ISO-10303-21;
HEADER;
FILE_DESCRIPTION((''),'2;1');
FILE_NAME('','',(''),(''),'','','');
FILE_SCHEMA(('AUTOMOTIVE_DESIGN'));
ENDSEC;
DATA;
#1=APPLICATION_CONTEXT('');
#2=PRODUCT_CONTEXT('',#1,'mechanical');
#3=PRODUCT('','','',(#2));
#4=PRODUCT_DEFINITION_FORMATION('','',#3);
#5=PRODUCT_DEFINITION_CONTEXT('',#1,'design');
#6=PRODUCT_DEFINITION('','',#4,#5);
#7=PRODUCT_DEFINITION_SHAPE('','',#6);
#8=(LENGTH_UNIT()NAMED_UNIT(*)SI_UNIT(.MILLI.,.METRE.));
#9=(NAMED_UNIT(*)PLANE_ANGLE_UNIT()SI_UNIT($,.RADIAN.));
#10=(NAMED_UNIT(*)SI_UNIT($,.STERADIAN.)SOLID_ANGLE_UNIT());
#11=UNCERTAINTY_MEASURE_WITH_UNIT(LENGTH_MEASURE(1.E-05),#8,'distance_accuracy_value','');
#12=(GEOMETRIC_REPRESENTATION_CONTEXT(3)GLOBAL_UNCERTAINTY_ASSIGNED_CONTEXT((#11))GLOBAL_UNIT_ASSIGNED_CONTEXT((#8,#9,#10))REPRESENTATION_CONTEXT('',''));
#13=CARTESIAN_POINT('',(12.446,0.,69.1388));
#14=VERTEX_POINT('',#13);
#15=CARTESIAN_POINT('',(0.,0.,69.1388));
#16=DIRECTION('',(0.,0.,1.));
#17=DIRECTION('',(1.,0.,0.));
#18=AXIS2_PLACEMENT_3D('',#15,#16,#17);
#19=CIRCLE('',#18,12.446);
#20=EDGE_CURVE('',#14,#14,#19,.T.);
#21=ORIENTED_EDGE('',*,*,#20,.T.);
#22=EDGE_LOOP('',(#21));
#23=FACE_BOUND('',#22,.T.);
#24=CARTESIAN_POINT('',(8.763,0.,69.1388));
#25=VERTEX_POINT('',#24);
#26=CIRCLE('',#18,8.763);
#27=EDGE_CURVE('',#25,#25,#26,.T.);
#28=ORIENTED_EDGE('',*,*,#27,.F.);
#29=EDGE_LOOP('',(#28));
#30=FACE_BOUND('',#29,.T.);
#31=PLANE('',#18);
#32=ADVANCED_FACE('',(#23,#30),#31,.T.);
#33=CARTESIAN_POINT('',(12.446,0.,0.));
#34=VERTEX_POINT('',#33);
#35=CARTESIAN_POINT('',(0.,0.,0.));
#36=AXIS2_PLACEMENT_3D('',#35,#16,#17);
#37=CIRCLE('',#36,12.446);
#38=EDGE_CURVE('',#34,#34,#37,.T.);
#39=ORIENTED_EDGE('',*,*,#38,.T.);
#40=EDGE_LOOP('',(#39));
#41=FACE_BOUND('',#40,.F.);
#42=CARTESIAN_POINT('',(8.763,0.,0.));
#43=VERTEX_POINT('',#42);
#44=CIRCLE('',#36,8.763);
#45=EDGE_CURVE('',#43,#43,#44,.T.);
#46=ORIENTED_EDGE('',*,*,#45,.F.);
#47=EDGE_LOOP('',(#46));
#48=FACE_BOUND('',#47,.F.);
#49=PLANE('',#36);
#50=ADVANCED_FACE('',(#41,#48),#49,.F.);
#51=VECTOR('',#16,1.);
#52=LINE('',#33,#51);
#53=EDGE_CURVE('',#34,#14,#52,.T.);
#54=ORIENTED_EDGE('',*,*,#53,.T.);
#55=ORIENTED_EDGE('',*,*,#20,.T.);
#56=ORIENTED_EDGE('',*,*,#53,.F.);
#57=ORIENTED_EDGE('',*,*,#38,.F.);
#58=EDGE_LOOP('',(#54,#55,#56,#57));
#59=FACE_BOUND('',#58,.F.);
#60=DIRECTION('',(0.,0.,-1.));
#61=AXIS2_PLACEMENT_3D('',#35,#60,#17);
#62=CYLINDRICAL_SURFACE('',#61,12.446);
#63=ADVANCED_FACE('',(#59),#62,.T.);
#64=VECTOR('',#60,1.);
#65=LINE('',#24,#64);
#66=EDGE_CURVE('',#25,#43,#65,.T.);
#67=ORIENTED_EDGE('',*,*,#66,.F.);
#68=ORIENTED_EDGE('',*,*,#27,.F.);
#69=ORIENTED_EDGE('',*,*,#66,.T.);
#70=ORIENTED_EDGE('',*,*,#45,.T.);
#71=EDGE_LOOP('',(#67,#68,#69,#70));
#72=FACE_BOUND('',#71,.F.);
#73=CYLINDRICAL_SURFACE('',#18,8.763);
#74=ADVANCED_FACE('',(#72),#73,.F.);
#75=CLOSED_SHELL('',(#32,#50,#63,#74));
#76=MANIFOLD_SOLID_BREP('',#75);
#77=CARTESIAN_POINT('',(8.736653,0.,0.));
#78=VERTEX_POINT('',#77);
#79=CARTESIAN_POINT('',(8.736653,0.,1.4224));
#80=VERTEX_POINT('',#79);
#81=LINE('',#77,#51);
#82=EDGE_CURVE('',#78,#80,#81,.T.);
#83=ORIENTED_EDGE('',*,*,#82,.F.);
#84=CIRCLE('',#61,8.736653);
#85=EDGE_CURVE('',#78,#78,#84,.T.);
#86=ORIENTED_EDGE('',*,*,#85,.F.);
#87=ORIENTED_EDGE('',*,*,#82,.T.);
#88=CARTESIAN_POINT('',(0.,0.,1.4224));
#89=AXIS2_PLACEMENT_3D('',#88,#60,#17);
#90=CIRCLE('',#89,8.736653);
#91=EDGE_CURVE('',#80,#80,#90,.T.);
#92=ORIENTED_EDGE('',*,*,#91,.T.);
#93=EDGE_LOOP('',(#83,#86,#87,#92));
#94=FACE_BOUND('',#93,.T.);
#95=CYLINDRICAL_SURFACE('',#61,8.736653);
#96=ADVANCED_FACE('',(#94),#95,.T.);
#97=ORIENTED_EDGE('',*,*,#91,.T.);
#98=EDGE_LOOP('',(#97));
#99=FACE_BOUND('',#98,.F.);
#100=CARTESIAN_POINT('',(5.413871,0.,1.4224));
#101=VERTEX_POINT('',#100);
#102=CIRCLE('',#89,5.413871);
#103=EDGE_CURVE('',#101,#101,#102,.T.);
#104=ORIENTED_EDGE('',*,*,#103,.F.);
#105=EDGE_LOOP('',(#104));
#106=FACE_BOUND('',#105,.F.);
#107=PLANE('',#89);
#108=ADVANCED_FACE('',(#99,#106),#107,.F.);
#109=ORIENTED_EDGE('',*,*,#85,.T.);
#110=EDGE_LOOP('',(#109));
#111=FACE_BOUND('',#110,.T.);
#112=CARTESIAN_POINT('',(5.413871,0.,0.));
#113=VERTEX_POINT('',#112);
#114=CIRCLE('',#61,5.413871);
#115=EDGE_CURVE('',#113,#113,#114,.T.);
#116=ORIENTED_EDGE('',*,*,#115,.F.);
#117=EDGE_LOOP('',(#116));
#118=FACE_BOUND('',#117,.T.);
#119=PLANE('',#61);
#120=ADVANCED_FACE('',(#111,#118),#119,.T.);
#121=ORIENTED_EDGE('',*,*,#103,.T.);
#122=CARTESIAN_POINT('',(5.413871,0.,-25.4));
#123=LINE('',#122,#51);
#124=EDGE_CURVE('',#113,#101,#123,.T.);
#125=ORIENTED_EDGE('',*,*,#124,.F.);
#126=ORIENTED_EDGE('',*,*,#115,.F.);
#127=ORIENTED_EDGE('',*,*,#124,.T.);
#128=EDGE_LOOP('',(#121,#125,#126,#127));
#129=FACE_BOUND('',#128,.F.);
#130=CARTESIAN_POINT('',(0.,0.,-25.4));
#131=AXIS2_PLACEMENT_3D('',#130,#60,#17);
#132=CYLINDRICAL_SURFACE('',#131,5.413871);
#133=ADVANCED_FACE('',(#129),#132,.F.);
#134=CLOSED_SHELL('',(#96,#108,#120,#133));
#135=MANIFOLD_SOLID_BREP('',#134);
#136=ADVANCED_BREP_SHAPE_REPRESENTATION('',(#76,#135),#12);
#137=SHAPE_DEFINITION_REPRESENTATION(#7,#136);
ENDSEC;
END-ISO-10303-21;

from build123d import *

# Parameters (mm, degrees)
F0_R      = 12.446
F1_DEPTH  = 69.1388
F3_R      = 8.763
F4_DEPTH  = 69.1398
F5_R      = 8.736653
F6_DEPTH  = 1.4224
F7_R      = 5.413871
F8_DEPTH  = 25.4
F8_FACE_R = 5.413871
F9_DEPTH  = 94.5398


with BuildPart() as f1:
    # F0 (on Top) → F1 (new body)
    with BuildSketch(Plane.XY):
        Circle(F0_R)
    extrude(amount=F1_DEPTH)

    # F3 (on face) → F4 (cut, through all)
    with BuildSketch(Plane.XY.offset(69.1388)):
        Circle(F3_R)
    extrude(amount=-F4_DEPTH, mode=Mode.SUBTRACT)


with BuildPart() as f6:
    # F5 (on face) → F6 (new body)
    with BuildSketch(Plane(origin=(0, 0, 0), x_dir=(1, 0, 0), z_dir=(0, 0, -1))):
        Circle(F5_R)
    extrude(amount=-F6_DEPTH)

    # F7 (on face) → F8 (join)
    with BuildSketch(Plane(origin=(0, 0, 0), x_dir=(1, 0, 0), z_dir=(0, 0, -1))):
        Circle(F7_R)
    extrude(amount=F8_DEPTH)

    # F8_face (on face) → F9 (cut, through all)
    with BuildSketch(Plane(origin=(0, 0, -25.4), x_dir=(1, 0, 0), z_dir=(0, 0, -1))):
        Circle(F8_FACE_R)
    extrude(amount=-F9_DEPTH, mode=Mode.SUBTRACT)


solid = Compound([f1.part, f6.part])
